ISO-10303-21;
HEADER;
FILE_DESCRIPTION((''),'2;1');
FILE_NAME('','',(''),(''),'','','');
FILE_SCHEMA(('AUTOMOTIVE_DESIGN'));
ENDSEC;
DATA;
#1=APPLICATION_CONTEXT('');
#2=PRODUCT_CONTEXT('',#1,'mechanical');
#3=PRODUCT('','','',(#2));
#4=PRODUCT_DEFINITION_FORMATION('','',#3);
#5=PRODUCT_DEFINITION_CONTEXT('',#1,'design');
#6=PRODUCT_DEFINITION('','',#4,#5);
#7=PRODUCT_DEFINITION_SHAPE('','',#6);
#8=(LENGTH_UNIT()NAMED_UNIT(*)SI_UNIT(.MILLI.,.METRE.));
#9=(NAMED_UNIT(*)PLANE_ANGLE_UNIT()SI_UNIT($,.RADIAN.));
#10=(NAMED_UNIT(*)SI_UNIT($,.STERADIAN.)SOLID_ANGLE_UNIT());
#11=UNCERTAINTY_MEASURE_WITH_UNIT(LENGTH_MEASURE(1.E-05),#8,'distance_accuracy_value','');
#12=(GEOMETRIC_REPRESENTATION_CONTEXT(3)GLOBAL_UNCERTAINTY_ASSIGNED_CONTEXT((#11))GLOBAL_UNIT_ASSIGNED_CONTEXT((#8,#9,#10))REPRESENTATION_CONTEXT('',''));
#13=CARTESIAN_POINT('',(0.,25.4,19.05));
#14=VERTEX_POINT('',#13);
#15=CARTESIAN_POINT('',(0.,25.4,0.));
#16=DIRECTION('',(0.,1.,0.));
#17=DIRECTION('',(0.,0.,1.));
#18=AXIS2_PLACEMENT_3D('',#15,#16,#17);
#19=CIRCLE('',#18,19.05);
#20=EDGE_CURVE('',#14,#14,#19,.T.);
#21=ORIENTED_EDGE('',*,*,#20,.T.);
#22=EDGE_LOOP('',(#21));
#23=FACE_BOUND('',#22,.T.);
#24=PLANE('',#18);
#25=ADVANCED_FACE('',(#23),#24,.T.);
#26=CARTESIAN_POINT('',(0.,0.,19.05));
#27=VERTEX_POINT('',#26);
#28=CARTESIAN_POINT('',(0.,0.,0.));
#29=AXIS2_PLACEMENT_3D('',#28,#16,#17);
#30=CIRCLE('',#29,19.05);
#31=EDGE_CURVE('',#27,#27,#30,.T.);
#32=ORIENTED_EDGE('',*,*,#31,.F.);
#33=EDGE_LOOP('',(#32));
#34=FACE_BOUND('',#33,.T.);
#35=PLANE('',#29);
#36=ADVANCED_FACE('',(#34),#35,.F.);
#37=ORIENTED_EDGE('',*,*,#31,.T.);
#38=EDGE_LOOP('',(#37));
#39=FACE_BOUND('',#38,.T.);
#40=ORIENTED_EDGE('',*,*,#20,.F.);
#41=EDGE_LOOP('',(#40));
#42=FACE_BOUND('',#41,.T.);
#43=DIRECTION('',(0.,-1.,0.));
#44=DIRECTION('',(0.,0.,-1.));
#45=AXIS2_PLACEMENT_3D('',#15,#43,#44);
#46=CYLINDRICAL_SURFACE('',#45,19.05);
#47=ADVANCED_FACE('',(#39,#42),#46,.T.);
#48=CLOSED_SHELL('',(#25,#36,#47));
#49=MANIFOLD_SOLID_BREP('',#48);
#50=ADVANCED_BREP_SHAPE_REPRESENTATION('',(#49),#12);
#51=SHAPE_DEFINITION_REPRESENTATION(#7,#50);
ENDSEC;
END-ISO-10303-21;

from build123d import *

# Parameters (mm, degrees)
SKETCH1_R           = 19.05
BOSS_EXTRUDE1_DEPTH = 25.4


with BuildPart() as part:
    # Sketch1 → Boss-Extrude1 (new body)
    with BuildSketch(Plane(origin=(0, 0, 0), x_dir=(1, 0, 0), z_dir=(0, 1, 0))):
        with Locations(Location((0, 0, 0), (0, 0, 270))):
            Circle(SKETCH1_R)
    extrude(amount=BOSS_EXTRUDE1_DEPTH)


solid = part.part
